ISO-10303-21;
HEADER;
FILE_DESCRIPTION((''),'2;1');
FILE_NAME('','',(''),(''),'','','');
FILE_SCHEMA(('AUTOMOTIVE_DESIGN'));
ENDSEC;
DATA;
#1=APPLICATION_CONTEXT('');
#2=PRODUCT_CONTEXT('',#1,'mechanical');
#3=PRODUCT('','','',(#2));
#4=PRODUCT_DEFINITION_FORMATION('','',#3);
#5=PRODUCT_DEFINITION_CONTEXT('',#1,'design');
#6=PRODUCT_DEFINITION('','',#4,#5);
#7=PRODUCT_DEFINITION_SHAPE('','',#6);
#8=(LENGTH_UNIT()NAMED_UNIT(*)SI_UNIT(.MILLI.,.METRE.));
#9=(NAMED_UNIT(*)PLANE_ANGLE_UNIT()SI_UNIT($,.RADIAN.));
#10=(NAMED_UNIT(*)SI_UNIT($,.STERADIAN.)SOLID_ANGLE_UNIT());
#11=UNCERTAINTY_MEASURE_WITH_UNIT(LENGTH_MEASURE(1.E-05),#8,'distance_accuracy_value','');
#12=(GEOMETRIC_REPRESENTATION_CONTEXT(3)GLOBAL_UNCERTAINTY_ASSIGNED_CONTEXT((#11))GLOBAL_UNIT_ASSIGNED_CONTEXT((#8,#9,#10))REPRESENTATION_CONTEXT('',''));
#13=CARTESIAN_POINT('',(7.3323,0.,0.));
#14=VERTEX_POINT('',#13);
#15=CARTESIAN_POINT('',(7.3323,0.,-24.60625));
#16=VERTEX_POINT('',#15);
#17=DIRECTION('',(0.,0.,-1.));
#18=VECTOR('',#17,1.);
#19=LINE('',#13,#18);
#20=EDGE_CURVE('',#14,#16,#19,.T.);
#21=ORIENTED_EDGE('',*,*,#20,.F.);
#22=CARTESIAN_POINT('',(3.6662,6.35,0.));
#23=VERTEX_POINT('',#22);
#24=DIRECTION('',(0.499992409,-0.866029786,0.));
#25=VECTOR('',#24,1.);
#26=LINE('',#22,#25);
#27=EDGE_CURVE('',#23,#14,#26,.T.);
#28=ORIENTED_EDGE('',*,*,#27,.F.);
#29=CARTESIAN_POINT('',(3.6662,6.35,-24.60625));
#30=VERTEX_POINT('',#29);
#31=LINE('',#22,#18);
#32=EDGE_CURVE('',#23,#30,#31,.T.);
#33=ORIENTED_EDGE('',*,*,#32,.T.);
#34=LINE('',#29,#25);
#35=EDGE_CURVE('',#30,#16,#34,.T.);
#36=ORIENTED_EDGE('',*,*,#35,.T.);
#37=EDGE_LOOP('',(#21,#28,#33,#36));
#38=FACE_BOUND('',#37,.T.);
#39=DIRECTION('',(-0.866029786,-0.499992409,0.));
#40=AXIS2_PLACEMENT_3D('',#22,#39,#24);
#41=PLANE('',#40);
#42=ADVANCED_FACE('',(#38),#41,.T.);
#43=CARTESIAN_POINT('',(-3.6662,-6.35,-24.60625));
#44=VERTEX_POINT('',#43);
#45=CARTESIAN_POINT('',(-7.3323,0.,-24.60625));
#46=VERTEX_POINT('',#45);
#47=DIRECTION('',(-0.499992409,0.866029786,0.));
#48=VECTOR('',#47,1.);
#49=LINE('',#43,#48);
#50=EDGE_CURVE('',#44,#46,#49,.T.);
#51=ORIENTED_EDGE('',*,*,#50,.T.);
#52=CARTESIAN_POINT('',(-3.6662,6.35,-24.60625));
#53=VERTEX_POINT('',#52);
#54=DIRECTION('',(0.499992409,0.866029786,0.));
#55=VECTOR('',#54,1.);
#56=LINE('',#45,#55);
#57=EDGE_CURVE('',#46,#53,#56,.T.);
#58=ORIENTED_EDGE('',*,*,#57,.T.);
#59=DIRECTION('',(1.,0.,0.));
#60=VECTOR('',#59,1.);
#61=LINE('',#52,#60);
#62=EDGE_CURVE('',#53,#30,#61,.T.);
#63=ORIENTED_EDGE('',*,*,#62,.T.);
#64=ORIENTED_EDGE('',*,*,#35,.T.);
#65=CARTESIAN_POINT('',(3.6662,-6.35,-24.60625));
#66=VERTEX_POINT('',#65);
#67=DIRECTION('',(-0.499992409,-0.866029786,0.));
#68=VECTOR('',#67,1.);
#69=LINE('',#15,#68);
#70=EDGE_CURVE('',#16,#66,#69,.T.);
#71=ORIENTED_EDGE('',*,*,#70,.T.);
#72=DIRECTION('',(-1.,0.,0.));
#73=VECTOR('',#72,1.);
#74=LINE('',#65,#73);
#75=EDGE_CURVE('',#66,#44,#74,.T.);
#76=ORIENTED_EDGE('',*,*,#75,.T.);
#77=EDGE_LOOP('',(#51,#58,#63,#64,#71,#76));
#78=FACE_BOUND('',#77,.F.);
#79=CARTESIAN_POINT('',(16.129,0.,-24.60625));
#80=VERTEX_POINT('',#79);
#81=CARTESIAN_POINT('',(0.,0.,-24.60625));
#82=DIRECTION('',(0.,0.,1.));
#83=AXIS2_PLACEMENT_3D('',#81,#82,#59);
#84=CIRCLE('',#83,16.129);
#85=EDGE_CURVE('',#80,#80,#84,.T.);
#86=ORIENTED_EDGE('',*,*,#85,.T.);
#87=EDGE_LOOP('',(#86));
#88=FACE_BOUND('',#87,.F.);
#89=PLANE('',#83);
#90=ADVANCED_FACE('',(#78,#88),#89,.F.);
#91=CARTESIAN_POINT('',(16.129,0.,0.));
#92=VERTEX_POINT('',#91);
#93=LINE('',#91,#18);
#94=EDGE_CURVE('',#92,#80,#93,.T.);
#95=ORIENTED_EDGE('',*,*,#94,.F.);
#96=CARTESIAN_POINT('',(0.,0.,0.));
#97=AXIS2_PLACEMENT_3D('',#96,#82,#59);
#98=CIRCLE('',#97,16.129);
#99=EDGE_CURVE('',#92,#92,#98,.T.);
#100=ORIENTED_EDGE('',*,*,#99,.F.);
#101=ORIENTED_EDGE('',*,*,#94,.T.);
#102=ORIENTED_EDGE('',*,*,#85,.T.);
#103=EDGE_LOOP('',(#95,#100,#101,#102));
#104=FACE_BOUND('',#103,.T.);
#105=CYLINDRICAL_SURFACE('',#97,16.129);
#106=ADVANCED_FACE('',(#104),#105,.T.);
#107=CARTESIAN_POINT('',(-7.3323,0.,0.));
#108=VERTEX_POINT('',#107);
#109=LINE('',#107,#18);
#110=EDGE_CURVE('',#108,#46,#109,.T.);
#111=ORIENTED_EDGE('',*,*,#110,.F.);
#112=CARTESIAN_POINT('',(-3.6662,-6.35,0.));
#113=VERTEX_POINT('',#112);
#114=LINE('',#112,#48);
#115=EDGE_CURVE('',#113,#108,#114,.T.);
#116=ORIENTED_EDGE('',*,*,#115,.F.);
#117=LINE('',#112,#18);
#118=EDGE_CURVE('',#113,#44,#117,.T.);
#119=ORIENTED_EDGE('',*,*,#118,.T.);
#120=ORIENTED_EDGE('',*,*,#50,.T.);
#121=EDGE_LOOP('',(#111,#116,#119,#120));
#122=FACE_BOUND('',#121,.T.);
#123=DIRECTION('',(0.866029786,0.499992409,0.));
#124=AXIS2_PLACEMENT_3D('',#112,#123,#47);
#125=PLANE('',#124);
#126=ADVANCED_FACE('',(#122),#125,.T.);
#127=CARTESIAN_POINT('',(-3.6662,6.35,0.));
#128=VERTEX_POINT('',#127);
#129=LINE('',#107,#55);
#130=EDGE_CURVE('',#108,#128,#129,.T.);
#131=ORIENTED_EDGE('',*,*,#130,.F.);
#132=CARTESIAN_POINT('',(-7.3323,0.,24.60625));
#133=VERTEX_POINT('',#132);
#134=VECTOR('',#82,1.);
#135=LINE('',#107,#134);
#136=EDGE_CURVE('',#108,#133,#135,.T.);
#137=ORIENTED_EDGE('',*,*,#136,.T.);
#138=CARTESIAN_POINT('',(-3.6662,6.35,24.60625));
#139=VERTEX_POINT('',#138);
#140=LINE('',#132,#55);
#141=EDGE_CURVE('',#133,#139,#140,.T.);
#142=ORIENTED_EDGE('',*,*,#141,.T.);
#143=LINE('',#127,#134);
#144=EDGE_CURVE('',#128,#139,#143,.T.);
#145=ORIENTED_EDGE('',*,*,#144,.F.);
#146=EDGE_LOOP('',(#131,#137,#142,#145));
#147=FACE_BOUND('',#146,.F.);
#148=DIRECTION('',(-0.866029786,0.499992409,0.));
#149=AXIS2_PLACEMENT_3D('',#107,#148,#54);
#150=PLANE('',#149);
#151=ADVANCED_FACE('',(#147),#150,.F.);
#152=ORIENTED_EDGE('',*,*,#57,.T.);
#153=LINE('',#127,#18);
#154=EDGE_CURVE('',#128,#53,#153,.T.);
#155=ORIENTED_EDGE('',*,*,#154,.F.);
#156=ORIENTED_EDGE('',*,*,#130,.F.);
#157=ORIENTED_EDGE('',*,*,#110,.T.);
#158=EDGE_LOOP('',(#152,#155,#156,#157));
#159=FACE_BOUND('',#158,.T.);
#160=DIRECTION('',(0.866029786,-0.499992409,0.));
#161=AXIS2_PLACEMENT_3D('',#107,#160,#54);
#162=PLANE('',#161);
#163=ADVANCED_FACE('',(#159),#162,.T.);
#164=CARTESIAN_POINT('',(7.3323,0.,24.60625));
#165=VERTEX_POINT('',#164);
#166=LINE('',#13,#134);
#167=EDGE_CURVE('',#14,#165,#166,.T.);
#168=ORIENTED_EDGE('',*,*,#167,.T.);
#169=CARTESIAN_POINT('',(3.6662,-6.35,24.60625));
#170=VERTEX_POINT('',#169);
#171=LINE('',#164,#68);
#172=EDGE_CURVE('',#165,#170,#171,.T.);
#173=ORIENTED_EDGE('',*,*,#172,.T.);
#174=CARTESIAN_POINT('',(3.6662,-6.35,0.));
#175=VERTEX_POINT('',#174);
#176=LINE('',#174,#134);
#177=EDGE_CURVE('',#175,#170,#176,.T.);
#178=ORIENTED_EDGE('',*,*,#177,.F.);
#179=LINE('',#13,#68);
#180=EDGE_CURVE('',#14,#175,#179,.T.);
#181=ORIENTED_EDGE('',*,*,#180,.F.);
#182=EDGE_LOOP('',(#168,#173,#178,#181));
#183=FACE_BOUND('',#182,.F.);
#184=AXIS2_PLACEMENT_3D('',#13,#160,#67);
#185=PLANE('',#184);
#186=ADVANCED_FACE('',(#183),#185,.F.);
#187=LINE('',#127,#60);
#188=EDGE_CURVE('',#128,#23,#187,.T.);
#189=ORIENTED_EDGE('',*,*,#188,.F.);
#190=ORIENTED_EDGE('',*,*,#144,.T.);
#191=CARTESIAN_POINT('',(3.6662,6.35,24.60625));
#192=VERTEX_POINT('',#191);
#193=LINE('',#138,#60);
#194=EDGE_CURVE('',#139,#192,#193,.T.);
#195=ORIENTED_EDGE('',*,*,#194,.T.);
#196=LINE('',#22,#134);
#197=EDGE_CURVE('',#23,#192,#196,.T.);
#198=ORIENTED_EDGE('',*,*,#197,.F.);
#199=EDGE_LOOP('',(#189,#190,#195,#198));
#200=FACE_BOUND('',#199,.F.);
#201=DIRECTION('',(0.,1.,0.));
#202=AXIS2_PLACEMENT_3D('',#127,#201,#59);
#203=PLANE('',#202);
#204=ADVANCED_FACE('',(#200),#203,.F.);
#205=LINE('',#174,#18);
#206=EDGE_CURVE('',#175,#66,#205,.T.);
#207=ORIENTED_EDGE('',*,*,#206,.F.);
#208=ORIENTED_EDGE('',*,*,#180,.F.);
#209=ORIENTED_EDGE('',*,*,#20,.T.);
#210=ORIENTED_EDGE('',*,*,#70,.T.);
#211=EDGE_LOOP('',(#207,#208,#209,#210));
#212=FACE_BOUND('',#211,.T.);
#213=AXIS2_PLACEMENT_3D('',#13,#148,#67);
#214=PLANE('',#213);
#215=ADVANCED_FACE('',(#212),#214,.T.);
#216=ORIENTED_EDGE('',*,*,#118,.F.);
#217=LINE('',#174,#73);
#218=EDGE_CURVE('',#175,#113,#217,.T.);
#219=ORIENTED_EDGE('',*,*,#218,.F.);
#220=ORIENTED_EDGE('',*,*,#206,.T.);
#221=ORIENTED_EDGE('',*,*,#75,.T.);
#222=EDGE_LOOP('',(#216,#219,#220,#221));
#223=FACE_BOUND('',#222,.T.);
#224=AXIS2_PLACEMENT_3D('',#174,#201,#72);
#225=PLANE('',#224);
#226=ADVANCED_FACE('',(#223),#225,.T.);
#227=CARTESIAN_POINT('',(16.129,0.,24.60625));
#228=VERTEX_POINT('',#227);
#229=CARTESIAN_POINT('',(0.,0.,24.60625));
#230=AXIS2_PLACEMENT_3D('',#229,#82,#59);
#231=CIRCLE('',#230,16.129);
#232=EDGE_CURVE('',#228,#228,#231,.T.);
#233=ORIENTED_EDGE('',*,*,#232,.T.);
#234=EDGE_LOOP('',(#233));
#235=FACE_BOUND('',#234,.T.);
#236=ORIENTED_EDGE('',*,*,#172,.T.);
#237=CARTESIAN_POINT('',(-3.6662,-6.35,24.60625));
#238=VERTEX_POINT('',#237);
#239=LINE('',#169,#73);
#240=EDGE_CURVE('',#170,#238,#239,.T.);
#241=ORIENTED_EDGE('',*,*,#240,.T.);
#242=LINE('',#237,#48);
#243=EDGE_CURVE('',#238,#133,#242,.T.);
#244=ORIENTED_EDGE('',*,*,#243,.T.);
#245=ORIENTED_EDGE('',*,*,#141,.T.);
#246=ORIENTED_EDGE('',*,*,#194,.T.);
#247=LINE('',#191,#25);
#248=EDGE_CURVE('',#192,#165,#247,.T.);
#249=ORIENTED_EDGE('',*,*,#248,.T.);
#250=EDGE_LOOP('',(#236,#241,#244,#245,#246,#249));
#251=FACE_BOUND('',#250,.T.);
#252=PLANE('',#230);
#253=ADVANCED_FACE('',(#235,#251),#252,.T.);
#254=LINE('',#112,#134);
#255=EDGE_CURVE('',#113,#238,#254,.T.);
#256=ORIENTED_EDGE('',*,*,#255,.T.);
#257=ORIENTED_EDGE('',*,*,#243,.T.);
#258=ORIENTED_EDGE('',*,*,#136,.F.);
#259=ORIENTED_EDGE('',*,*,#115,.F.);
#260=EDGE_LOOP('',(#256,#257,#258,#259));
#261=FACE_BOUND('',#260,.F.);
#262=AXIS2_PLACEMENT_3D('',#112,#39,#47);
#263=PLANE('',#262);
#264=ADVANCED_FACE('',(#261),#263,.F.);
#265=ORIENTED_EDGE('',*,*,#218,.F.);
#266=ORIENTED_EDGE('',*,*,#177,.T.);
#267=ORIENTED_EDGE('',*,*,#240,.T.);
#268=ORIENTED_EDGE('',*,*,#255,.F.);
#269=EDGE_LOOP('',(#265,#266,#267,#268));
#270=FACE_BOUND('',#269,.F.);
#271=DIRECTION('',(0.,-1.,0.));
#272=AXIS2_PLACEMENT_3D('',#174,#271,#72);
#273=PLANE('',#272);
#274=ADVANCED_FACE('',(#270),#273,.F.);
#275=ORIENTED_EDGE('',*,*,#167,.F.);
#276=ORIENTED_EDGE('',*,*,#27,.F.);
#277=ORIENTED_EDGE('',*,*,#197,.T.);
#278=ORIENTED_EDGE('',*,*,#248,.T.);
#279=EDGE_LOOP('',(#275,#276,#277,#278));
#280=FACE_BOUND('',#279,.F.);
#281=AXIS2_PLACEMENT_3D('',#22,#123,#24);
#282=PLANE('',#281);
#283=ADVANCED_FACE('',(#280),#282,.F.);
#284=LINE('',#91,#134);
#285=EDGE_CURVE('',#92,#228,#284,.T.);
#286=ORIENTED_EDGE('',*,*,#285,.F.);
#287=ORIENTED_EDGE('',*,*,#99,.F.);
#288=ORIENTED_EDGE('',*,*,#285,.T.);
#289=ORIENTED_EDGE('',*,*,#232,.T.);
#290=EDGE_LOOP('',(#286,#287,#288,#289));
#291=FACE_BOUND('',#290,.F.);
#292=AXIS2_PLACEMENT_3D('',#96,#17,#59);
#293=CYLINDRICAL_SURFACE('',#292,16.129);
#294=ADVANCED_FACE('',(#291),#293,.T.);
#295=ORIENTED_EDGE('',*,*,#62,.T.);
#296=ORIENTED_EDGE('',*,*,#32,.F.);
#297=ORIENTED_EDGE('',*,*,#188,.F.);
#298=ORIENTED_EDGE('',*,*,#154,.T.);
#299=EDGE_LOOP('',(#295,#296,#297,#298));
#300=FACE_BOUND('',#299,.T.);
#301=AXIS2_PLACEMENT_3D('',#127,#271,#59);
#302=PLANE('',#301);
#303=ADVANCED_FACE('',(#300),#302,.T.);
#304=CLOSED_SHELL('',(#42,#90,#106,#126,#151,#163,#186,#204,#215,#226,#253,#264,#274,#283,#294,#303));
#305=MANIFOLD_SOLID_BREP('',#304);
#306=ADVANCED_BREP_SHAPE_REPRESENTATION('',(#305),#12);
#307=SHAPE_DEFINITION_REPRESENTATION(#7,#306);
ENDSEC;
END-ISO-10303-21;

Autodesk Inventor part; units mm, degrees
ref_plane "YZ Plane" through (0, 0, 0) normal (1, 0, 0) x (0, 1, 0)
ref_plane "XZ Plane" through (0, 0, 0) normal (0, 1, 0) x (-1, 0, 0)
ref_plane "XY Plane" through (0, 0, 0) normal (0, 0, 1) x (1, 0, 0)
sketch "Sketch1" plane through (0, 0, 0) normal (0, 0, 1) x (1, 0, 0)
  circle A0 centre (0, 0) radius 16.129
  line L0 (3.6662, -6.35) -> (-3.6662, -6.35)
  line L1 (-3.6662, -6.35) -> (-7.3323, 0)
  line L2 (-7.3323, 0) -> (-3.6662, 6.35)
  line L3 (-3.6662, 6.35) -> (3.6662, 6.35)
  line L4 (3.6662, 6.35) -> (7.3323, 0)
  line L5 (7.3323, 0) -> (3.6662, -6.35)
  dimension "d0" = 32.258
  dimension "d1" = 12.7
extrude "Extrusion1" add sketch "Sketch1" along normal mid plane 49.2125
properties part number "Roller Insert" material "ABS Plastic"
